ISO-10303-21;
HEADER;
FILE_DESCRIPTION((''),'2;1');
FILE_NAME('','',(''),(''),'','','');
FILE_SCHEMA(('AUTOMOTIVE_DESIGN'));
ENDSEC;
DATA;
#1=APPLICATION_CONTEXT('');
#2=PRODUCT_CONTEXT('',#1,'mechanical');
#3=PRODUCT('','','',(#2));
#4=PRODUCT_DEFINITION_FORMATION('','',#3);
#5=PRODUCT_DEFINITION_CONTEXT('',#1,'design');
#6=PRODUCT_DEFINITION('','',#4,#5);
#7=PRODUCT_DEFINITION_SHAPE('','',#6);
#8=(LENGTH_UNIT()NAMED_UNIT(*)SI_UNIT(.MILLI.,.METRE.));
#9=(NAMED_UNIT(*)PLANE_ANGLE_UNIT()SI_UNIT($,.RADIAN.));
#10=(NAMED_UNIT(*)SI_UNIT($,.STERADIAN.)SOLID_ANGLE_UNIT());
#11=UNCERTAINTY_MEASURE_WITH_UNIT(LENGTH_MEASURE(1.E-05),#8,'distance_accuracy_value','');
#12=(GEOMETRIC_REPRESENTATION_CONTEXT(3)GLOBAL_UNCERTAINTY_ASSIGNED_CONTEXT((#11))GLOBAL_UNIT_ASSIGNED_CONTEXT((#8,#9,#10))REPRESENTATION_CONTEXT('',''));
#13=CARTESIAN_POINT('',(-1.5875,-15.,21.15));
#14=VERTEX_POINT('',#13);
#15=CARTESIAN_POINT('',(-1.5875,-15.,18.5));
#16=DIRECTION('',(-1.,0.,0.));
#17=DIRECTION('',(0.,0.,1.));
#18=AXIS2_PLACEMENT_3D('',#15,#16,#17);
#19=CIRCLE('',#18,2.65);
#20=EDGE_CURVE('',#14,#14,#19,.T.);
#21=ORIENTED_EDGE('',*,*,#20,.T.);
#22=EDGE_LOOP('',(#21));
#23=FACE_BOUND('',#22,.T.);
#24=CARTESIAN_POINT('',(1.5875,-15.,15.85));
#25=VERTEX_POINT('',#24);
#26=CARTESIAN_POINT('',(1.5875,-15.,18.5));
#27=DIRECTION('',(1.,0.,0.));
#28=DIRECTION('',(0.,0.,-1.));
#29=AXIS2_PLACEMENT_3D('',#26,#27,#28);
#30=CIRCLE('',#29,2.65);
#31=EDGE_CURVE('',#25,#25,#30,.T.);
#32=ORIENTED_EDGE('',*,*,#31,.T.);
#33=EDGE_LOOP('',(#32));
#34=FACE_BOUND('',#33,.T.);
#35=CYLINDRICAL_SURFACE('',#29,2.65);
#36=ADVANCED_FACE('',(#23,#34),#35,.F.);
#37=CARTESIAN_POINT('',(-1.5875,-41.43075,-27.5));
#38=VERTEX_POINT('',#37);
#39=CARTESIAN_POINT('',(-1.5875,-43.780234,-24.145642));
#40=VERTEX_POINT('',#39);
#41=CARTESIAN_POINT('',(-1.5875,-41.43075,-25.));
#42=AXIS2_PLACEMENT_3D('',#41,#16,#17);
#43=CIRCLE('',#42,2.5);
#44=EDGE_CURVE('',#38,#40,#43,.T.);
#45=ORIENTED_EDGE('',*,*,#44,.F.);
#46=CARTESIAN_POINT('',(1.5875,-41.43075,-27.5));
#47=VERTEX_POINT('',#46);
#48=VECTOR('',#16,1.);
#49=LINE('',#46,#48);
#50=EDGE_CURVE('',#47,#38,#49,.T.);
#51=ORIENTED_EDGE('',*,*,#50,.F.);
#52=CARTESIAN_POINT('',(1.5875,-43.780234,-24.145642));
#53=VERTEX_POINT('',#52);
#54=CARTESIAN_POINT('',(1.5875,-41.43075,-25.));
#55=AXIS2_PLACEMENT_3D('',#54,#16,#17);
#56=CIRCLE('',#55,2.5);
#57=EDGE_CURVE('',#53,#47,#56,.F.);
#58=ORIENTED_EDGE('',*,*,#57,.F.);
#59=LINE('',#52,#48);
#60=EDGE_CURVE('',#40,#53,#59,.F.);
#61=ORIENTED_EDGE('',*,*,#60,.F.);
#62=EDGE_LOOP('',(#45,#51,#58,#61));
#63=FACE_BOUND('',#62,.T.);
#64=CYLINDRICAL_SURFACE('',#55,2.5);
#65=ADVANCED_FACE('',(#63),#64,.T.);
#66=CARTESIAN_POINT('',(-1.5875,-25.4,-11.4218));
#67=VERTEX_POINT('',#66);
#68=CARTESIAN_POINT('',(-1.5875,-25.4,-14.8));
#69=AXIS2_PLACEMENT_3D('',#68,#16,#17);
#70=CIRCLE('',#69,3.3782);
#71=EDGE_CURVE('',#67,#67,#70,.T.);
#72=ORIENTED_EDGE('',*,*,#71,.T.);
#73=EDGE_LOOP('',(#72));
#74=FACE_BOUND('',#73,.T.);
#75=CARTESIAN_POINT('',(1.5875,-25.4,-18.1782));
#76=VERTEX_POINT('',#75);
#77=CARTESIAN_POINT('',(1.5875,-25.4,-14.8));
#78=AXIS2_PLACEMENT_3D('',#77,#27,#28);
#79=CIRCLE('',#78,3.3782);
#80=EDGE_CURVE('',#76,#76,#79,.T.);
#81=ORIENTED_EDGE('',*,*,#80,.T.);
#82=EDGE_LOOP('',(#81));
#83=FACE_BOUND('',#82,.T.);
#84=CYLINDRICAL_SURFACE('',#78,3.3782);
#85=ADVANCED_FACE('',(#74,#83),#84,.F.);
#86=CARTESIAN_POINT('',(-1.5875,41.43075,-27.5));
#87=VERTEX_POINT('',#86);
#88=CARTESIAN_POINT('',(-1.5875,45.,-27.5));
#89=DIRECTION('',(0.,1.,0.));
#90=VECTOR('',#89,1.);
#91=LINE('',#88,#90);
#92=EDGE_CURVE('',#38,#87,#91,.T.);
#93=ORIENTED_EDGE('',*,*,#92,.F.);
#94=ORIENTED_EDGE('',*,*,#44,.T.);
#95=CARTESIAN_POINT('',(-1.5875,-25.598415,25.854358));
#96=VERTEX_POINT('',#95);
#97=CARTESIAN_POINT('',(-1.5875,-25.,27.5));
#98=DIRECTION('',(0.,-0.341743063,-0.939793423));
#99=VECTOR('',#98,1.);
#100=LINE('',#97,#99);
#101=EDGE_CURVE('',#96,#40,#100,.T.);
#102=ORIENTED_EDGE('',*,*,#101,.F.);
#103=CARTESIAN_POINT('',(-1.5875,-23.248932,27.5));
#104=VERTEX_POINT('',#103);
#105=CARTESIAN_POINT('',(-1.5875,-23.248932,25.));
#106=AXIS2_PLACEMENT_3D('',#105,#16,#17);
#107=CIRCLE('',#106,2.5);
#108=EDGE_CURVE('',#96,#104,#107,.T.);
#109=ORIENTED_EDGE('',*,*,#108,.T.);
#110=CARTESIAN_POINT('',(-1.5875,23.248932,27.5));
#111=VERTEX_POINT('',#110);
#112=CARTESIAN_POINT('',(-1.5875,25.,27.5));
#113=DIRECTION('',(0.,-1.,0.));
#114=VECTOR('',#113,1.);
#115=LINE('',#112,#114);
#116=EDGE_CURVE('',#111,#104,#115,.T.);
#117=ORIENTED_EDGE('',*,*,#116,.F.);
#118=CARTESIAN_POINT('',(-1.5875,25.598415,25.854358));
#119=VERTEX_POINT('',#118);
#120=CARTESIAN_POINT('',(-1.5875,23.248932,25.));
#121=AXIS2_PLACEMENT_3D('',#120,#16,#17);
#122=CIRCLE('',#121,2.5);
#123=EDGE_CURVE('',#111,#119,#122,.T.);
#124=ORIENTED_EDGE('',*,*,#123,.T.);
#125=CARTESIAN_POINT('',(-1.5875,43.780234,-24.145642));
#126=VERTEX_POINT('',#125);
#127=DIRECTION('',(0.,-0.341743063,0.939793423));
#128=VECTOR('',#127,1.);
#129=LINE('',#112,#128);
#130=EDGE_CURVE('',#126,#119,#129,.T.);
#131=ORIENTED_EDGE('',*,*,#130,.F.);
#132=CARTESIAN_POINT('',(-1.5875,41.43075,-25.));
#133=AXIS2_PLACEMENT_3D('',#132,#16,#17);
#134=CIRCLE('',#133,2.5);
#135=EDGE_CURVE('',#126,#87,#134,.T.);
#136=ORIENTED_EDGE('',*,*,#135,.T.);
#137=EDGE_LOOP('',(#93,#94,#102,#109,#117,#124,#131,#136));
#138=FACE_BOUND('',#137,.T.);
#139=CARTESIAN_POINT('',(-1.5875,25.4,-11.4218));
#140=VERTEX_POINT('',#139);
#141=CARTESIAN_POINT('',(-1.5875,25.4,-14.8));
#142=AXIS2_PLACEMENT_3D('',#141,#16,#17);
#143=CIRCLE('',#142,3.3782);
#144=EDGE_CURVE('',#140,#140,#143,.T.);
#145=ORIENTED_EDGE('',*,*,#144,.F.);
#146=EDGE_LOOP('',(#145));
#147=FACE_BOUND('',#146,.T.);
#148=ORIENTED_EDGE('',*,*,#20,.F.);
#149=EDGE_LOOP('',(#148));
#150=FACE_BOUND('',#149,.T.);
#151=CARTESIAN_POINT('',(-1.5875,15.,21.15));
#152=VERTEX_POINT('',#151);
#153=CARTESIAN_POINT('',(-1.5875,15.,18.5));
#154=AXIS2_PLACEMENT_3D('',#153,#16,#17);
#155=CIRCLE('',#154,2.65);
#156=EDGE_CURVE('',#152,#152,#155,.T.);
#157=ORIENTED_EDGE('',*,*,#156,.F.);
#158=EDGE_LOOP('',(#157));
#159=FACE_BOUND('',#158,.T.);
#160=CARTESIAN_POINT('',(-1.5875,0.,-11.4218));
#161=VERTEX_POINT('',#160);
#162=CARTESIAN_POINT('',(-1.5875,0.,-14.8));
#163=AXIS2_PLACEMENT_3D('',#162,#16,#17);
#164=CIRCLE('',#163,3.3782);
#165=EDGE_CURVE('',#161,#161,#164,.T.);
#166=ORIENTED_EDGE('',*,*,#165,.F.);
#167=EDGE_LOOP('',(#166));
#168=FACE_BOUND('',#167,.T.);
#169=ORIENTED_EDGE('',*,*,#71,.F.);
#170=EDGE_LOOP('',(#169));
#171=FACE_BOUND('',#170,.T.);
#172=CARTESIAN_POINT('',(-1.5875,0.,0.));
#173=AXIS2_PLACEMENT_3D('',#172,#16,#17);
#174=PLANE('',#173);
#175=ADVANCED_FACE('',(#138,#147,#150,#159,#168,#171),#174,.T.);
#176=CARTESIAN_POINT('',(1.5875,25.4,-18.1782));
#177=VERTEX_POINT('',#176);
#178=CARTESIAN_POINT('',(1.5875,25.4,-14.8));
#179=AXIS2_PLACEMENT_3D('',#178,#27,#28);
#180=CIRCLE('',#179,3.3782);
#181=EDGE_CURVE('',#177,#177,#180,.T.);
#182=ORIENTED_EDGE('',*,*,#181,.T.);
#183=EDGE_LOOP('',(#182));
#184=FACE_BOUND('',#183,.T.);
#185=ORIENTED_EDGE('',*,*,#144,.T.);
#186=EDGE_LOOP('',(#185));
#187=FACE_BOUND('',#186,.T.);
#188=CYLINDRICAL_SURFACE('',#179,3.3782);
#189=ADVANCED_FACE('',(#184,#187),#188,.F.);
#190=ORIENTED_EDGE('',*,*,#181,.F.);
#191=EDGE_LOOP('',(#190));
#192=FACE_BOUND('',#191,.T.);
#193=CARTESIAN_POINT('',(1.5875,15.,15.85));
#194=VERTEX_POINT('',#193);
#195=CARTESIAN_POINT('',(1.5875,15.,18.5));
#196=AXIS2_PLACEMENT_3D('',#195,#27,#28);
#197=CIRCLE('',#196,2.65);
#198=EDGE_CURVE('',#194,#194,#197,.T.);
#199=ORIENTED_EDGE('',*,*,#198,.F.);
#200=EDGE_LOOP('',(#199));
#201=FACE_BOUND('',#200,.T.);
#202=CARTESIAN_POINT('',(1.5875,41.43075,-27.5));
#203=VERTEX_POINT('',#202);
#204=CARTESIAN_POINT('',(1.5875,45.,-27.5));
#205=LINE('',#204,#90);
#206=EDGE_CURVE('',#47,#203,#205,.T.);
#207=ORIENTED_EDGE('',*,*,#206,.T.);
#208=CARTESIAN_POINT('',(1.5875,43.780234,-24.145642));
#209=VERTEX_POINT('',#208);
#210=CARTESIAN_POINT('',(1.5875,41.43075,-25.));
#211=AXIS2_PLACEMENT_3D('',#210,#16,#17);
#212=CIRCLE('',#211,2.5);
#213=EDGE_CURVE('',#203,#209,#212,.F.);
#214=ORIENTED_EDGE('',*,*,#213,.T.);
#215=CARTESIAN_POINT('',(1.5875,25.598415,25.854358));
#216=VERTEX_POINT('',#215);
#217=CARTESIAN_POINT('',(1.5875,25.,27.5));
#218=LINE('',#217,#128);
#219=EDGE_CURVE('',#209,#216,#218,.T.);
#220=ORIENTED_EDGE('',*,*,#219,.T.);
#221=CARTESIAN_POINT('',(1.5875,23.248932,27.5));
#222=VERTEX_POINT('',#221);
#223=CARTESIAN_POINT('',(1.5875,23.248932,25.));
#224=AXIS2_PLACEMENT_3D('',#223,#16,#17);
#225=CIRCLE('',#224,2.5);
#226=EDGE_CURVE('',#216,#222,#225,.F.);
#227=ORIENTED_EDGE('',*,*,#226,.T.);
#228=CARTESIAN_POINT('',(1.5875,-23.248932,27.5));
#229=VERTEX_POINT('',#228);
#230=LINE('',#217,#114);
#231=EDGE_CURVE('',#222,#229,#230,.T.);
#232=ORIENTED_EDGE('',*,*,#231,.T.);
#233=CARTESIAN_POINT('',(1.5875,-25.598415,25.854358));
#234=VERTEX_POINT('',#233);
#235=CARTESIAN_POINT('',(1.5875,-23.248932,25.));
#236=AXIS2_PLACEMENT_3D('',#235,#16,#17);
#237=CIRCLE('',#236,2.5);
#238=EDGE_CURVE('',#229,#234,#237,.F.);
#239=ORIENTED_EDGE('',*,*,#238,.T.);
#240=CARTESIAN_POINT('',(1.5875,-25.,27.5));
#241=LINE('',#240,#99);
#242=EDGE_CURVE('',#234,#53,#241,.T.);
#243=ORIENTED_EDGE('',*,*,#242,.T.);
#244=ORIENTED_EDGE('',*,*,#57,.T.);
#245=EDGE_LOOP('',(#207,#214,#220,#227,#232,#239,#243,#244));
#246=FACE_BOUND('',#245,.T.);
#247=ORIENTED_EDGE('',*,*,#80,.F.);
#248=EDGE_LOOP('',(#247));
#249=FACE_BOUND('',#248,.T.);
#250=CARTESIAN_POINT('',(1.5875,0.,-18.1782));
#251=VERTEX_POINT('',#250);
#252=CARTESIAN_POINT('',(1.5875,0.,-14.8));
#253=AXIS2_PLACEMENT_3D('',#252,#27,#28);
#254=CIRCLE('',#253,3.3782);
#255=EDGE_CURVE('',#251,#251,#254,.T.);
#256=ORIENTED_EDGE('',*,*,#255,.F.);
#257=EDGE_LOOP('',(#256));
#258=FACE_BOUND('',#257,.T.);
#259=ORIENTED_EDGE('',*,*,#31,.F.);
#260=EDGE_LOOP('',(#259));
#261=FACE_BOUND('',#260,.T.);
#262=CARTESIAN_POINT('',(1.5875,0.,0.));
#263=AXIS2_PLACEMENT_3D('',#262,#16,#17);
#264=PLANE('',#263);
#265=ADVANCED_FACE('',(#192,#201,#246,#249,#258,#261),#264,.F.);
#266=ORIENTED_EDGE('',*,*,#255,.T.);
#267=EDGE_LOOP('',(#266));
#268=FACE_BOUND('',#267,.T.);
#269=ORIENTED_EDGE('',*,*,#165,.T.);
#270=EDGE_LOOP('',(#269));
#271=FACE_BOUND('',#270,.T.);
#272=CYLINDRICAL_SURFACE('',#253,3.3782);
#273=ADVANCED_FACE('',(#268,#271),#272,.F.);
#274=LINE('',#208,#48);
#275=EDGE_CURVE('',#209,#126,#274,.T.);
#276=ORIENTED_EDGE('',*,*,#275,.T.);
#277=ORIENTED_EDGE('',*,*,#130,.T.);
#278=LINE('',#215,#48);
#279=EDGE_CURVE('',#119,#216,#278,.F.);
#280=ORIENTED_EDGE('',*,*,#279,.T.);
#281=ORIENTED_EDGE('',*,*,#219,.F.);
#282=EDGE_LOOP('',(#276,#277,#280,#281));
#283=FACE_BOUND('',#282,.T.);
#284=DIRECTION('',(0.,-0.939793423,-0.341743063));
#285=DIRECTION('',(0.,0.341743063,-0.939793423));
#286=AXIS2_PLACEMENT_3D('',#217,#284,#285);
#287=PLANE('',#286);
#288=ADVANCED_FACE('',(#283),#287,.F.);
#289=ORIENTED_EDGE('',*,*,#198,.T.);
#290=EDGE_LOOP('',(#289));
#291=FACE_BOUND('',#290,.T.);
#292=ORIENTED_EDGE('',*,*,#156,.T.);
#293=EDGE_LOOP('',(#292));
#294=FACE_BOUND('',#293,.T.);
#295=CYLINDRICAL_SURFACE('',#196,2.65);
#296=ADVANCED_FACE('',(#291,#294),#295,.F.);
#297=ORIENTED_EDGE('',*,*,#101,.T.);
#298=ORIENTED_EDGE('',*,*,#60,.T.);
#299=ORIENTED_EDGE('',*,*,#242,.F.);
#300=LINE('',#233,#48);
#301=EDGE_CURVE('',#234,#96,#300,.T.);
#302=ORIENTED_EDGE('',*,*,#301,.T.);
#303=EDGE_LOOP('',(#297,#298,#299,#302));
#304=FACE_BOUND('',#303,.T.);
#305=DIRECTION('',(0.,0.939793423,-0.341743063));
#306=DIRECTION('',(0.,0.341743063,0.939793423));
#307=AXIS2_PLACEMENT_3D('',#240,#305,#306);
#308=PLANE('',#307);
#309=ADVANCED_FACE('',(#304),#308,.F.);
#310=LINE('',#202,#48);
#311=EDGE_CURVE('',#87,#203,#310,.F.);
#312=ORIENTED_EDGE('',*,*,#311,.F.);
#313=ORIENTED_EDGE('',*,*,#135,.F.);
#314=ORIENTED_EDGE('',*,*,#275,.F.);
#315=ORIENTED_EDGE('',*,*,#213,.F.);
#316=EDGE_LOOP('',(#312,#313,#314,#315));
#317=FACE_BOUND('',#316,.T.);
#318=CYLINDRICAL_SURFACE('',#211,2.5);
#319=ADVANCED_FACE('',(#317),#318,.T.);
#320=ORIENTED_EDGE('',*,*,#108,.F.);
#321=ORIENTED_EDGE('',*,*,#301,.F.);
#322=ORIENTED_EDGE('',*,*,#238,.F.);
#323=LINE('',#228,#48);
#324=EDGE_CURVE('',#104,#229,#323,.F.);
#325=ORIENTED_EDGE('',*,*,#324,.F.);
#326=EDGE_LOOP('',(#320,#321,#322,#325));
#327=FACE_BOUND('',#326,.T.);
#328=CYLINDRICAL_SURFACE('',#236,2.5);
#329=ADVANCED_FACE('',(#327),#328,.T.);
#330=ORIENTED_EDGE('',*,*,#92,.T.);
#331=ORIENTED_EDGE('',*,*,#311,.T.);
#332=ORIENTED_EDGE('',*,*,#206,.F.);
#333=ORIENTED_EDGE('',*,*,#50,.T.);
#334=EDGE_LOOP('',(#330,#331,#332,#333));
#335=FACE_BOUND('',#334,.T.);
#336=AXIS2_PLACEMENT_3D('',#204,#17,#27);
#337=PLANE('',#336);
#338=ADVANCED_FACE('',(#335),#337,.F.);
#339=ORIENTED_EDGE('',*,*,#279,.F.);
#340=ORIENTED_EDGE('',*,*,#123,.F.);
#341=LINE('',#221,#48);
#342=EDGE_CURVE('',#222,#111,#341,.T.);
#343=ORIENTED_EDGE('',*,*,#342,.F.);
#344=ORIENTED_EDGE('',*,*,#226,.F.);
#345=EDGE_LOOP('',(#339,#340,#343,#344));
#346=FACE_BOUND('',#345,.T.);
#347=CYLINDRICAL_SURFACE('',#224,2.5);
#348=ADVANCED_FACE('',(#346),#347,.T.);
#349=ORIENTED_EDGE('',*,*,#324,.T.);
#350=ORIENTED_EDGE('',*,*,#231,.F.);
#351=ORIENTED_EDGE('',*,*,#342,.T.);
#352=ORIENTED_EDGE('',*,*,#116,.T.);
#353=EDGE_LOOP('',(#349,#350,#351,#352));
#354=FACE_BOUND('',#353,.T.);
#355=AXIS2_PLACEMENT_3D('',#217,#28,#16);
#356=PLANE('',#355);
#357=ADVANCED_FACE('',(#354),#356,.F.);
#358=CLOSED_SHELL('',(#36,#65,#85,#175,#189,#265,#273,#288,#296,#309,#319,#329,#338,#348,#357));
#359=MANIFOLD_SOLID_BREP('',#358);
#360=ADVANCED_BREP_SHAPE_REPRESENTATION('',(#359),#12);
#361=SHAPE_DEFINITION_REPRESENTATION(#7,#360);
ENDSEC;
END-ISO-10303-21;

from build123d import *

# Parameters (mm, degrees)
F_1_8_INCH_SHEET_DEPTH     = 1.5875
M5_CLEARANCE_HOLE1_D       = 5.3
F_1_4_IN_CLEARANCE_HOLE1_D = 6.7564
FILLET1_R                  = 2.5


with BuildPart() as part:
    # Sketch1 → 1/8 Inch Sheet (new, symmetric)
    with BuildSketch(Plane(origin=(0, 0, 0), x_dir=(0, 0, -1), z_dir=(1, 0, 0))):
        Polygon((-27.5, 25), (-27.5, -25), (27.5, -45), (27.5, 45), align=None)
    extrude(amount=F_1_8_INCH_SHEET_DEPTH, both=True)

    # M5 Clearance Hole1 (through all)
    with Locations(Plane(origin=(1.5875, 0, 0), x_dir=(0, 0, -1), z_dir=(1, 0, 0))):
        with Locations((-18.5, 15), (-18.5, -15)):
            Hole(M5_CLEARANCE_HOLE1_D / 2)

    # 1/4 in Clearance Hole1 (through all)
    with Locations(Plane(origin=(1.5875, 0, 0), x_dir=(0, 0, -1), z_dir=(1, 0, 0))):
        with Locations((14.8, 25.4), (14.8, 0), (14.8, -25.4)):
            Hole(F_1_4_IN_CLEARANCE_HOLE1_D / 2)

    # Fillet1
    fillet1_edges = [part.edges().sort_by_distance(p)[0] for p in [
        (0, 45, -27.5),
        (0, -45, -27.5),
        (0, -25, 27.5),
        (0, 25, 27.5),
    ]]
    fillet(fillet1_edges, radius=FILLET1_R)


solid = part.part
